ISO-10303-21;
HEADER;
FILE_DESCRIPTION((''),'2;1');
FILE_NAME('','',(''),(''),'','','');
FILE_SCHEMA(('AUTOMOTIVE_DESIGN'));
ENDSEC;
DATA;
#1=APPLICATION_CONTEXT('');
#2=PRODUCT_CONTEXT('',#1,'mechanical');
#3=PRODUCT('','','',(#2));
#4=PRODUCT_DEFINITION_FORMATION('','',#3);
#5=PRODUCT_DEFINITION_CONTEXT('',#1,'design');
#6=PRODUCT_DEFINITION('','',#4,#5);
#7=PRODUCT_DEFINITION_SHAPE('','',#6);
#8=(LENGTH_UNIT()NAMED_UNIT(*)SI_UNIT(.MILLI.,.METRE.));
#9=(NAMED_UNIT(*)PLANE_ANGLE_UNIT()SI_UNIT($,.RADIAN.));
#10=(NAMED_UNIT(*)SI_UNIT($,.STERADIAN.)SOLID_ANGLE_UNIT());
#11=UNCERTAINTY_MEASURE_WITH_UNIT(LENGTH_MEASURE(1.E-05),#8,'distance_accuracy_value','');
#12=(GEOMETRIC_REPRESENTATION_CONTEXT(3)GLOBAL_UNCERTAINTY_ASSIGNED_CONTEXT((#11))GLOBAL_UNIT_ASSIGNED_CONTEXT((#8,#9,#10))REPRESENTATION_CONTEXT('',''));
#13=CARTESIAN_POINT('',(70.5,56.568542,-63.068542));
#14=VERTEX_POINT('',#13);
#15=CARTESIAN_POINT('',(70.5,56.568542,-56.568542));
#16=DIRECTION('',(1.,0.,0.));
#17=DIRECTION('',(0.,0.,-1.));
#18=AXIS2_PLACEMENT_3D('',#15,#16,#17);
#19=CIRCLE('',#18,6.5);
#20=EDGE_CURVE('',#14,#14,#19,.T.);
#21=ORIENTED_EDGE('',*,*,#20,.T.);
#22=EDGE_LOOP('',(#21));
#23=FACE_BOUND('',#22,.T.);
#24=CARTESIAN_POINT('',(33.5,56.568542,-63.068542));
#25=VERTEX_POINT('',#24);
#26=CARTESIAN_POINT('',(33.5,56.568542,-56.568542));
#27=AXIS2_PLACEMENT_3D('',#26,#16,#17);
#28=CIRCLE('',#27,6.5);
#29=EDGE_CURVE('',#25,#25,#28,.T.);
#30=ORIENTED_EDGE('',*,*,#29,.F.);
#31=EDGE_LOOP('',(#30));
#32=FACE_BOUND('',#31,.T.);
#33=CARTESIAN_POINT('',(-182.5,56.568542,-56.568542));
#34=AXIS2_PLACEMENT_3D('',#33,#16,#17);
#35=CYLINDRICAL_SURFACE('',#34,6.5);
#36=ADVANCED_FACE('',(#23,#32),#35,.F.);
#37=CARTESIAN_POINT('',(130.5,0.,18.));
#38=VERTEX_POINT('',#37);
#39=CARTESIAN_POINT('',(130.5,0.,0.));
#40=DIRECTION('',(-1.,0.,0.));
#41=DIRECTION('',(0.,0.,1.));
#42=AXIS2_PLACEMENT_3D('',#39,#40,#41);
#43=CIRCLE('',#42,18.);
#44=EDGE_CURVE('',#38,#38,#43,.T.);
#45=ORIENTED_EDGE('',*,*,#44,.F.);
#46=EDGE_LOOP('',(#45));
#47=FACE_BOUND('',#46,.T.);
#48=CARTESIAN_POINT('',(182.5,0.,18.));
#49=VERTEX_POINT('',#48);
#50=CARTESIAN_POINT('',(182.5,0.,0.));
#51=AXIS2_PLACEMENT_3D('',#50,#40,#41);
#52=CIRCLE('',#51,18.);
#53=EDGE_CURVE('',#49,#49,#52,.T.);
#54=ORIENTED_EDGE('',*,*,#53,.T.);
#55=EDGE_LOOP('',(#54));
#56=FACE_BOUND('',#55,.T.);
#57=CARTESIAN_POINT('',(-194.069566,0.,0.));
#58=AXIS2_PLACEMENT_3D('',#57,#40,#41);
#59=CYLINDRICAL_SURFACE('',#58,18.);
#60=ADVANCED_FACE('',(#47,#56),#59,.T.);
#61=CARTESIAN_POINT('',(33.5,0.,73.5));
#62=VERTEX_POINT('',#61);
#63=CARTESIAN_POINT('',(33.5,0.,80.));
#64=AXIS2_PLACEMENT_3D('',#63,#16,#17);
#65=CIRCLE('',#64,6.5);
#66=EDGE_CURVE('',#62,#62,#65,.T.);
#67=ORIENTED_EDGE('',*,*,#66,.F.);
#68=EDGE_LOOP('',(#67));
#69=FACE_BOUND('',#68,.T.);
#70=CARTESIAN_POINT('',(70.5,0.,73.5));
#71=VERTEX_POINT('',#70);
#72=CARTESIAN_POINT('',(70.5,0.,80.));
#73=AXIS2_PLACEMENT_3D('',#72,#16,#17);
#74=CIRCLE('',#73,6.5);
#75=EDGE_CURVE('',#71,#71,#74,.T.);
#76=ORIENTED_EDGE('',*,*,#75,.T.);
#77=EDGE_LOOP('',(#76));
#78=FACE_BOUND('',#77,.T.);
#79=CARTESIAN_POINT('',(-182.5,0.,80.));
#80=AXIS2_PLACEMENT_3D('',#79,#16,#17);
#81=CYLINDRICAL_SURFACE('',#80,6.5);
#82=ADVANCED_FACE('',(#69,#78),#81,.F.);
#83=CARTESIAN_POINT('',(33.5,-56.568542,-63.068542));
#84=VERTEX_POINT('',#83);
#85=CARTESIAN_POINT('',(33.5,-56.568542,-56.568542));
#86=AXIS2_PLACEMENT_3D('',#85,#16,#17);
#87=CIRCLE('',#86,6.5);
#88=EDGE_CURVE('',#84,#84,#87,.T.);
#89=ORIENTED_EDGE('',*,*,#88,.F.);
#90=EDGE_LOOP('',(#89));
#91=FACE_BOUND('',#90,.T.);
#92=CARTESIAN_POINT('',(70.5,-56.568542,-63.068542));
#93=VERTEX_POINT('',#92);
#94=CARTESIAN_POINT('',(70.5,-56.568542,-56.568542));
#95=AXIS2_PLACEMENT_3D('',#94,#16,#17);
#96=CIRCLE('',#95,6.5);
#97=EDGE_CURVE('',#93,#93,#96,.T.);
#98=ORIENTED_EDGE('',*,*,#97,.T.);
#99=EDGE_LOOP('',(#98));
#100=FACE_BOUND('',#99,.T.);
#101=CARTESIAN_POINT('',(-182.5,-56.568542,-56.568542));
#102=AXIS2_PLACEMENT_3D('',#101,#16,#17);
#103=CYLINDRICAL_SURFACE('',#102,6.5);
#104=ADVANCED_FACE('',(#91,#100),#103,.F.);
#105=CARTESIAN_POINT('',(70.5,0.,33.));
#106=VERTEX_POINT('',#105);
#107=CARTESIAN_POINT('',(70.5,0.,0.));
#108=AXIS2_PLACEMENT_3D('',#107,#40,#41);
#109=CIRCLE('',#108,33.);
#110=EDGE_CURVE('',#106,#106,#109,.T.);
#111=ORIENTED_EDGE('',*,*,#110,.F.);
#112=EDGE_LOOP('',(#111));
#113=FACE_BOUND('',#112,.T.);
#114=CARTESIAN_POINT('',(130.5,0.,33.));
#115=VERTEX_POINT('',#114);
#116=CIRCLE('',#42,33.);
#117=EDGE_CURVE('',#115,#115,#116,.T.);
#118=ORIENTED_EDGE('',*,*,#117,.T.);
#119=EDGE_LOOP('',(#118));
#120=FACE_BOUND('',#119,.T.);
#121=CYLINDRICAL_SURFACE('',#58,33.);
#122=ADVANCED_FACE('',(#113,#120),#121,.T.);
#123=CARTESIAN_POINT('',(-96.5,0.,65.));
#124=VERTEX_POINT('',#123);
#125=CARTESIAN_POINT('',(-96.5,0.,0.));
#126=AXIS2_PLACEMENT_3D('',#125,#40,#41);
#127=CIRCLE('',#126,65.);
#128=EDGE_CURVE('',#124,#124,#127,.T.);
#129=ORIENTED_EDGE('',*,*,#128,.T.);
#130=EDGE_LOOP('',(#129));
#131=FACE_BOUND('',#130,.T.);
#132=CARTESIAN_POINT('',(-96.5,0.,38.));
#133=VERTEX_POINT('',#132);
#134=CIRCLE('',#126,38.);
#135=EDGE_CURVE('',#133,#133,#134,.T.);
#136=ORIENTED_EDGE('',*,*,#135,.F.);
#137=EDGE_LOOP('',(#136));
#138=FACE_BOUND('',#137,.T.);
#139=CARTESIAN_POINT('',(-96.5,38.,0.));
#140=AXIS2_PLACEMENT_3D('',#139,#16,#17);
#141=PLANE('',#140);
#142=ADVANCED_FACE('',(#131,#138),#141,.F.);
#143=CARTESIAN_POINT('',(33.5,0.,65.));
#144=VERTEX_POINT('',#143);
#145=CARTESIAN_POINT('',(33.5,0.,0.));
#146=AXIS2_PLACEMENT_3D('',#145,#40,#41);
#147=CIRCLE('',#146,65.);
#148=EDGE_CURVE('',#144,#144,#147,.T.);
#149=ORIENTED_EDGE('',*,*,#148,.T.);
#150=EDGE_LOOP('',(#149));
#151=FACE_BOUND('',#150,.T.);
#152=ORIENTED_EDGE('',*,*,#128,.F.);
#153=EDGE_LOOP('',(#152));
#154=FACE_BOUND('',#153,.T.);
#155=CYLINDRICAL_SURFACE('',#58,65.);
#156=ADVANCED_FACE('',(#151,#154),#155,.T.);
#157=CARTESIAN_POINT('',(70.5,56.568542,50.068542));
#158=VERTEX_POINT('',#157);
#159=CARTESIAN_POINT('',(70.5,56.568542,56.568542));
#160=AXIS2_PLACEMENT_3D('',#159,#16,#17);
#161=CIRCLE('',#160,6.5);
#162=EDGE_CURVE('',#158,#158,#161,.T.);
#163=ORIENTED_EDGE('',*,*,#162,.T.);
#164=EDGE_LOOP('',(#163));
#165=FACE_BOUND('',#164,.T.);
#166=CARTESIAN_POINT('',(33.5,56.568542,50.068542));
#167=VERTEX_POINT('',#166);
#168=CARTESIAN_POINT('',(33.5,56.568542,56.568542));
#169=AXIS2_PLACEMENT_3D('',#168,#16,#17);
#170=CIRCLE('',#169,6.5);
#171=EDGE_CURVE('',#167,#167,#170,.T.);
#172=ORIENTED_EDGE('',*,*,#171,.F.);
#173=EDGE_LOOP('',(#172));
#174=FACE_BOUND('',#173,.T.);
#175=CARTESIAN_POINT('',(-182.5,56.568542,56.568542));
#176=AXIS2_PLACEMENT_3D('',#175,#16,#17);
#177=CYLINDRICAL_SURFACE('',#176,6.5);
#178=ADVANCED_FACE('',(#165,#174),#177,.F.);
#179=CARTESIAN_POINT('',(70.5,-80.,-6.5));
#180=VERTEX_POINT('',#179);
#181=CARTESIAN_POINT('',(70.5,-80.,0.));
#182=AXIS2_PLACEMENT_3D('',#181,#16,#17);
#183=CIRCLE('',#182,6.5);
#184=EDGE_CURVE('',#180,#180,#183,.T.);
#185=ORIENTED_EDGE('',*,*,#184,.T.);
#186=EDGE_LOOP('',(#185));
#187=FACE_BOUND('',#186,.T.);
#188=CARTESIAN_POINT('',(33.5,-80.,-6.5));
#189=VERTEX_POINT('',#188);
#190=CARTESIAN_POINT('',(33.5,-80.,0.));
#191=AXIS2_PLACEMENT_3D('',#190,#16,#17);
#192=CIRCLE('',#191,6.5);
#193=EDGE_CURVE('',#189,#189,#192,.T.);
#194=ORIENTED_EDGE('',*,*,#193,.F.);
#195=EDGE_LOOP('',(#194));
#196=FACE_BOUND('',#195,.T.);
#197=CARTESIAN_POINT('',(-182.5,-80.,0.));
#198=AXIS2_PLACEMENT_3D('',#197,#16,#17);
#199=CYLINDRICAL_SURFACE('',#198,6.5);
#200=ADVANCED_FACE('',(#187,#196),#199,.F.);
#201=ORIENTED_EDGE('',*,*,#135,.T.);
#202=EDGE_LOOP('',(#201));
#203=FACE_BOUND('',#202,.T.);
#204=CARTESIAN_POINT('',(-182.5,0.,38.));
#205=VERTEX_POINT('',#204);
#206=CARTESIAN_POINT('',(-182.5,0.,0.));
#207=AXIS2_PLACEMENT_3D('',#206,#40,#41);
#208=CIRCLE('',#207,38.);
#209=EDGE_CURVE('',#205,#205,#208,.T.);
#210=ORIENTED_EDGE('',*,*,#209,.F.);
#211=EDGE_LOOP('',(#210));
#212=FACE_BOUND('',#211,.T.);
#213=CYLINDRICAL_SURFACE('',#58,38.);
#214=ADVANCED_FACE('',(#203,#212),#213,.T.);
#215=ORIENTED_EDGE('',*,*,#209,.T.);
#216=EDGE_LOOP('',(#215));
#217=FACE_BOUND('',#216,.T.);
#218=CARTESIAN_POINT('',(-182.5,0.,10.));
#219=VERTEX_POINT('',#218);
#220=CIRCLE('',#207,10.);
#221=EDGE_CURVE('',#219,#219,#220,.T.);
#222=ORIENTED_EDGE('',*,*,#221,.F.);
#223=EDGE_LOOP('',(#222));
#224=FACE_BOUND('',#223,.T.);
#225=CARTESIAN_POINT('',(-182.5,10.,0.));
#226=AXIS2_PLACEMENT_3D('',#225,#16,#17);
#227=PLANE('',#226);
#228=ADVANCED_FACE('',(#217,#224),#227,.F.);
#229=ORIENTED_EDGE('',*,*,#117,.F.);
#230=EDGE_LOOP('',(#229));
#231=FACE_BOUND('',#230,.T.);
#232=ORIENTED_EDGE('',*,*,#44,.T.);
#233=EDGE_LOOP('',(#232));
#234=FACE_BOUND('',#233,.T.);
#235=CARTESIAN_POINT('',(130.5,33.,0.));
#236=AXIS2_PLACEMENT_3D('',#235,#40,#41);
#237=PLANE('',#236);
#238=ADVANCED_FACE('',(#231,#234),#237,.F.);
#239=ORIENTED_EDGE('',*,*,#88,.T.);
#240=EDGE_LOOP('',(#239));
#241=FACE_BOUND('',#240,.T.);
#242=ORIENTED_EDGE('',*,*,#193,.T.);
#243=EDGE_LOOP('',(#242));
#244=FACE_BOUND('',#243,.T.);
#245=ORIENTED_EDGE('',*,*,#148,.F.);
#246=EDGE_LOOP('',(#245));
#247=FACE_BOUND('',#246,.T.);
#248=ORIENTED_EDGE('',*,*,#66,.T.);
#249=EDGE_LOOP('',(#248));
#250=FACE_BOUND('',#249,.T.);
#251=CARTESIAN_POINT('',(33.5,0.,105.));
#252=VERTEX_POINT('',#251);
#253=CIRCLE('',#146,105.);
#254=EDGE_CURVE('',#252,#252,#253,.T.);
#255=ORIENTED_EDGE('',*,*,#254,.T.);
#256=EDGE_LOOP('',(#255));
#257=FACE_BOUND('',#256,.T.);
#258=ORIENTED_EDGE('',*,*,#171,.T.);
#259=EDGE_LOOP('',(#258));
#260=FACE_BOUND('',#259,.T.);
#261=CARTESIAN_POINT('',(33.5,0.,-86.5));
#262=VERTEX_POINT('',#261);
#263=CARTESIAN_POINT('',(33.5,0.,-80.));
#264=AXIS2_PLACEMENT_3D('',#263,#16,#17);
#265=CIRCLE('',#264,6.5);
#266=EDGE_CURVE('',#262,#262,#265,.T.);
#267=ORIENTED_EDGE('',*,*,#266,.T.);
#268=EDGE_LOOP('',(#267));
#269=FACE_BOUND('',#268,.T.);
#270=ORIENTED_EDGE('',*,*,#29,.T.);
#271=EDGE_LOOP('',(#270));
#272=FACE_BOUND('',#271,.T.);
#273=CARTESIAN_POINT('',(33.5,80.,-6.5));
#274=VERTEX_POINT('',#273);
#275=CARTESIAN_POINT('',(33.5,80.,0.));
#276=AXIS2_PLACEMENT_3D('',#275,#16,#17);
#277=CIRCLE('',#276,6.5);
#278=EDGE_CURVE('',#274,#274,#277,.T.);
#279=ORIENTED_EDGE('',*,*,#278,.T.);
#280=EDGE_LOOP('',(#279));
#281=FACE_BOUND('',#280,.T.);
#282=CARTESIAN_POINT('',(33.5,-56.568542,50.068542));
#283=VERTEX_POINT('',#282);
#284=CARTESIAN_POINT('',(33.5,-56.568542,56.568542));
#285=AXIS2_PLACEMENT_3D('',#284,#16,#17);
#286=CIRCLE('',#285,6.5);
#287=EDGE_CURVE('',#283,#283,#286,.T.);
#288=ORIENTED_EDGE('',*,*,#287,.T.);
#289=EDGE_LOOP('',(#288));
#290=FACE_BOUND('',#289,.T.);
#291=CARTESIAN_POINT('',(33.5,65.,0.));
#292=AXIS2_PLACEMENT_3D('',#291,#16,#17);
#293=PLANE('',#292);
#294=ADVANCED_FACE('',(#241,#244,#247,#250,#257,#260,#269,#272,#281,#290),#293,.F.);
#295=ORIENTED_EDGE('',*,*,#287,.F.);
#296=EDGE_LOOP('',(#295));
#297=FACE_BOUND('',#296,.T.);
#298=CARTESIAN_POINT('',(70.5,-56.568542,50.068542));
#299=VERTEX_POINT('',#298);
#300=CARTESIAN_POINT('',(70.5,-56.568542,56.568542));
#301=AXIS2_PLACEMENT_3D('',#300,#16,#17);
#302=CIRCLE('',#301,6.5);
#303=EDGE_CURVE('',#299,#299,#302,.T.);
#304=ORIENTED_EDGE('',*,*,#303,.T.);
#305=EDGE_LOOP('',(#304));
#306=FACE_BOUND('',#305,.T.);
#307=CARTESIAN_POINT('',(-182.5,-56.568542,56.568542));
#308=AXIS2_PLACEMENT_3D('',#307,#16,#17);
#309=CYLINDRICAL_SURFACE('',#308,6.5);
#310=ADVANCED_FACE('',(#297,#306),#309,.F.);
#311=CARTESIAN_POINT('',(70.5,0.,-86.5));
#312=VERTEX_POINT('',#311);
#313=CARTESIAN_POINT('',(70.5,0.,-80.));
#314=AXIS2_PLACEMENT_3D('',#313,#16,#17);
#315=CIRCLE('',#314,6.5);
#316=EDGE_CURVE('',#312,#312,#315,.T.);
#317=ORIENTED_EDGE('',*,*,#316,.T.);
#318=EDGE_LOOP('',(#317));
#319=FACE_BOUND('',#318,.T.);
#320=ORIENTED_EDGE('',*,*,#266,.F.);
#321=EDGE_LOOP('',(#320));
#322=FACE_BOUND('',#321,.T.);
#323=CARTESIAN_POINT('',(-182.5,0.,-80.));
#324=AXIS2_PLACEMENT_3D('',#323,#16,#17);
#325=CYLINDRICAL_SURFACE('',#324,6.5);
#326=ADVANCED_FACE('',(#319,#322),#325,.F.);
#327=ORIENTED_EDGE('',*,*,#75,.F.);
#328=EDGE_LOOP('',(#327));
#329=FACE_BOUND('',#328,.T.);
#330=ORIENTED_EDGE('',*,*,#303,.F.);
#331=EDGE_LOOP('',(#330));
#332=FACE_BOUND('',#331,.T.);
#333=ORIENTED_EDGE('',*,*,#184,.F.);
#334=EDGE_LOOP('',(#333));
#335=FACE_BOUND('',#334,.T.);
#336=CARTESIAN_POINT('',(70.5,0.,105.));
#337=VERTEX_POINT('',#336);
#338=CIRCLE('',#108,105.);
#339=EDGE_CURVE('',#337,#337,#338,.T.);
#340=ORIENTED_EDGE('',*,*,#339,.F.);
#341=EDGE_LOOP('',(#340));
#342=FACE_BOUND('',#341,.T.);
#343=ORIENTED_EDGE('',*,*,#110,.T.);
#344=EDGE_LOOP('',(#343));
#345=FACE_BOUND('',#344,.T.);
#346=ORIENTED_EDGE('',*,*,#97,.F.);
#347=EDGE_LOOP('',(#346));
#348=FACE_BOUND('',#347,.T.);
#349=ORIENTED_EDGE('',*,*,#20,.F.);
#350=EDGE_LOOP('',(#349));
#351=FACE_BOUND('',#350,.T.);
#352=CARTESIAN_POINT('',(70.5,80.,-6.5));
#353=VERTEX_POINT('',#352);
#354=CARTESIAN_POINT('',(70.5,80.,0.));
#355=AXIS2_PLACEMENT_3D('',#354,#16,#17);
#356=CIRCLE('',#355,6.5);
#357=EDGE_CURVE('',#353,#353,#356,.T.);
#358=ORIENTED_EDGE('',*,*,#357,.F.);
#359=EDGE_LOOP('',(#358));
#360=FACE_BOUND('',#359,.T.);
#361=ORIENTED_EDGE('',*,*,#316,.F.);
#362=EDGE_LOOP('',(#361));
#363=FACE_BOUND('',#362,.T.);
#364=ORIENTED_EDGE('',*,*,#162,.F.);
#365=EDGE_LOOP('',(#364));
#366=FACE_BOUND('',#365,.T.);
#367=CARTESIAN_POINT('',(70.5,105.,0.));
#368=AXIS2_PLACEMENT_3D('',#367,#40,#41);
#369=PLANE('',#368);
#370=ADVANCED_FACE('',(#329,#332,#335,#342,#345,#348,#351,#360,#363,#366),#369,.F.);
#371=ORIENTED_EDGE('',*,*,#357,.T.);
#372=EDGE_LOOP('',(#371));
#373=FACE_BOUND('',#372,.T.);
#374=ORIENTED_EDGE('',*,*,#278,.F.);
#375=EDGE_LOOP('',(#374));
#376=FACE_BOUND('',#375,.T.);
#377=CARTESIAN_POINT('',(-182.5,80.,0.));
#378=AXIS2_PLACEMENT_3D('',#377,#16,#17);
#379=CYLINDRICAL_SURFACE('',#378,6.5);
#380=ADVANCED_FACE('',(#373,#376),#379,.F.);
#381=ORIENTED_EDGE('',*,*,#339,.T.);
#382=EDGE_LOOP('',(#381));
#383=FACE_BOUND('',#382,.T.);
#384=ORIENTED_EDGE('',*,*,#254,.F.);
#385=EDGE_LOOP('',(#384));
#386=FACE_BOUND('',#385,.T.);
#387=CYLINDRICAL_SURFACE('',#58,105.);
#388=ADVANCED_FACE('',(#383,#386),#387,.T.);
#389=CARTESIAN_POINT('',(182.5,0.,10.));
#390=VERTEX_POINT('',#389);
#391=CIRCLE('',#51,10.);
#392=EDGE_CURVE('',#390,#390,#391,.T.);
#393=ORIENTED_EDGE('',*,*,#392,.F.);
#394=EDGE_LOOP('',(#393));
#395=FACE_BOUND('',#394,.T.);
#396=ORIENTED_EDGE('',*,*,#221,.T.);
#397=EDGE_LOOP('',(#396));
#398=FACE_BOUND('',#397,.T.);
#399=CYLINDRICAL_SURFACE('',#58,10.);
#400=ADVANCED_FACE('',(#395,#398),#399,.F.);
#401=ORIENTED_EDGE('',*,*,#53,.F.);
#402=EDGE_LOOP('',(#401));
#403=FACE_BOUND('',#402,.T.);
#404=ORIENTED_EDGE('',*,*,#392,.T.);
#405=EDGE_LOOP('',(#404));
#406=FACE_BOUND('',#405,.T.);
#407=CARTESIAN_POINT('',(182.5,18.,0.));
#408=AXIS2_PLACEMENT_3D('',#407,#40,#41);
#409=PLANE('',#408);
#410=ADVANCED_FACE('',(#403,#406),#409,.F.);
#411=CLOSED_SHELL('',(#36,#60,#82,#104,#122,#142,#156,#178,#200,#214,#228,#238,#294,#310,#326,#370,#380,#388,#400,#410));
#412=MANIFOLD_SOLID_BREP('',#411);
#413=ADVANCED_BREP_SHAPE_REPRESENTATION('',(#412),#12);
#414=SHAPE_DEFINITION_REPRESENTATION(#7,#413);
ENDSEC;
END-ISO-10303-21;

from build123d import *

# Parameters (mm, degrees)
SKETCH2_R          = 6.5
CUT_EXTRUDE1_DEPTH = 254


with BuildPart() as part:
    # Sketch1 → Revolve1 (revolve)
    with BuildSketch(Plane.XY):
        Polygon((-182.5, 10), (-182.5, 38), (-96.5, 38), (-96.5, 65), (33.5, 65), (33.5, 105), (70.5, 105), (70.5, 33), (130.5, 33), (130.5, 18), (182.5, 18), (182.5, 10), align=None)
    revolve(axis=Axis((-194.069566155, 0, 0), (1, 0, 0)))

    # Sketch2 → Cut-Extrude1 (cut, through all)
    with BuildSketch(Plane(origin=(70.5, 0, 0), x_dir=(0, 0, -1), z_dir=(1, 0, 0))):
        with Locations((0, 80)):
            Circle(SKETCH2_R)
        with Locations((56.568542495, 56.568542495)):
            Circle(SKETCH2_R)
        with Locations((80, 0)):
            Circle(SKETCH2_R)
        with Locations((56.568542495, -56.568542495)):
            Circle(SKETCH2_R)
        with Locations((0, -80)):
            Circle(SKETCH2_R)
        with Locations((-56.568542495, -56.568542495)):
            Circle(SKETCH2_R)
        with Locations((-80, 0)):
            Circle(SKETCH2_R)
        with Locations((-56.568542495, 56.568542495)):
            Circle(SKETCH2_R)
    extrude(amount=-CUT_EXTRUDE1_DEPTH, mode=Mode.SUBTRACT)


solid = part.part
